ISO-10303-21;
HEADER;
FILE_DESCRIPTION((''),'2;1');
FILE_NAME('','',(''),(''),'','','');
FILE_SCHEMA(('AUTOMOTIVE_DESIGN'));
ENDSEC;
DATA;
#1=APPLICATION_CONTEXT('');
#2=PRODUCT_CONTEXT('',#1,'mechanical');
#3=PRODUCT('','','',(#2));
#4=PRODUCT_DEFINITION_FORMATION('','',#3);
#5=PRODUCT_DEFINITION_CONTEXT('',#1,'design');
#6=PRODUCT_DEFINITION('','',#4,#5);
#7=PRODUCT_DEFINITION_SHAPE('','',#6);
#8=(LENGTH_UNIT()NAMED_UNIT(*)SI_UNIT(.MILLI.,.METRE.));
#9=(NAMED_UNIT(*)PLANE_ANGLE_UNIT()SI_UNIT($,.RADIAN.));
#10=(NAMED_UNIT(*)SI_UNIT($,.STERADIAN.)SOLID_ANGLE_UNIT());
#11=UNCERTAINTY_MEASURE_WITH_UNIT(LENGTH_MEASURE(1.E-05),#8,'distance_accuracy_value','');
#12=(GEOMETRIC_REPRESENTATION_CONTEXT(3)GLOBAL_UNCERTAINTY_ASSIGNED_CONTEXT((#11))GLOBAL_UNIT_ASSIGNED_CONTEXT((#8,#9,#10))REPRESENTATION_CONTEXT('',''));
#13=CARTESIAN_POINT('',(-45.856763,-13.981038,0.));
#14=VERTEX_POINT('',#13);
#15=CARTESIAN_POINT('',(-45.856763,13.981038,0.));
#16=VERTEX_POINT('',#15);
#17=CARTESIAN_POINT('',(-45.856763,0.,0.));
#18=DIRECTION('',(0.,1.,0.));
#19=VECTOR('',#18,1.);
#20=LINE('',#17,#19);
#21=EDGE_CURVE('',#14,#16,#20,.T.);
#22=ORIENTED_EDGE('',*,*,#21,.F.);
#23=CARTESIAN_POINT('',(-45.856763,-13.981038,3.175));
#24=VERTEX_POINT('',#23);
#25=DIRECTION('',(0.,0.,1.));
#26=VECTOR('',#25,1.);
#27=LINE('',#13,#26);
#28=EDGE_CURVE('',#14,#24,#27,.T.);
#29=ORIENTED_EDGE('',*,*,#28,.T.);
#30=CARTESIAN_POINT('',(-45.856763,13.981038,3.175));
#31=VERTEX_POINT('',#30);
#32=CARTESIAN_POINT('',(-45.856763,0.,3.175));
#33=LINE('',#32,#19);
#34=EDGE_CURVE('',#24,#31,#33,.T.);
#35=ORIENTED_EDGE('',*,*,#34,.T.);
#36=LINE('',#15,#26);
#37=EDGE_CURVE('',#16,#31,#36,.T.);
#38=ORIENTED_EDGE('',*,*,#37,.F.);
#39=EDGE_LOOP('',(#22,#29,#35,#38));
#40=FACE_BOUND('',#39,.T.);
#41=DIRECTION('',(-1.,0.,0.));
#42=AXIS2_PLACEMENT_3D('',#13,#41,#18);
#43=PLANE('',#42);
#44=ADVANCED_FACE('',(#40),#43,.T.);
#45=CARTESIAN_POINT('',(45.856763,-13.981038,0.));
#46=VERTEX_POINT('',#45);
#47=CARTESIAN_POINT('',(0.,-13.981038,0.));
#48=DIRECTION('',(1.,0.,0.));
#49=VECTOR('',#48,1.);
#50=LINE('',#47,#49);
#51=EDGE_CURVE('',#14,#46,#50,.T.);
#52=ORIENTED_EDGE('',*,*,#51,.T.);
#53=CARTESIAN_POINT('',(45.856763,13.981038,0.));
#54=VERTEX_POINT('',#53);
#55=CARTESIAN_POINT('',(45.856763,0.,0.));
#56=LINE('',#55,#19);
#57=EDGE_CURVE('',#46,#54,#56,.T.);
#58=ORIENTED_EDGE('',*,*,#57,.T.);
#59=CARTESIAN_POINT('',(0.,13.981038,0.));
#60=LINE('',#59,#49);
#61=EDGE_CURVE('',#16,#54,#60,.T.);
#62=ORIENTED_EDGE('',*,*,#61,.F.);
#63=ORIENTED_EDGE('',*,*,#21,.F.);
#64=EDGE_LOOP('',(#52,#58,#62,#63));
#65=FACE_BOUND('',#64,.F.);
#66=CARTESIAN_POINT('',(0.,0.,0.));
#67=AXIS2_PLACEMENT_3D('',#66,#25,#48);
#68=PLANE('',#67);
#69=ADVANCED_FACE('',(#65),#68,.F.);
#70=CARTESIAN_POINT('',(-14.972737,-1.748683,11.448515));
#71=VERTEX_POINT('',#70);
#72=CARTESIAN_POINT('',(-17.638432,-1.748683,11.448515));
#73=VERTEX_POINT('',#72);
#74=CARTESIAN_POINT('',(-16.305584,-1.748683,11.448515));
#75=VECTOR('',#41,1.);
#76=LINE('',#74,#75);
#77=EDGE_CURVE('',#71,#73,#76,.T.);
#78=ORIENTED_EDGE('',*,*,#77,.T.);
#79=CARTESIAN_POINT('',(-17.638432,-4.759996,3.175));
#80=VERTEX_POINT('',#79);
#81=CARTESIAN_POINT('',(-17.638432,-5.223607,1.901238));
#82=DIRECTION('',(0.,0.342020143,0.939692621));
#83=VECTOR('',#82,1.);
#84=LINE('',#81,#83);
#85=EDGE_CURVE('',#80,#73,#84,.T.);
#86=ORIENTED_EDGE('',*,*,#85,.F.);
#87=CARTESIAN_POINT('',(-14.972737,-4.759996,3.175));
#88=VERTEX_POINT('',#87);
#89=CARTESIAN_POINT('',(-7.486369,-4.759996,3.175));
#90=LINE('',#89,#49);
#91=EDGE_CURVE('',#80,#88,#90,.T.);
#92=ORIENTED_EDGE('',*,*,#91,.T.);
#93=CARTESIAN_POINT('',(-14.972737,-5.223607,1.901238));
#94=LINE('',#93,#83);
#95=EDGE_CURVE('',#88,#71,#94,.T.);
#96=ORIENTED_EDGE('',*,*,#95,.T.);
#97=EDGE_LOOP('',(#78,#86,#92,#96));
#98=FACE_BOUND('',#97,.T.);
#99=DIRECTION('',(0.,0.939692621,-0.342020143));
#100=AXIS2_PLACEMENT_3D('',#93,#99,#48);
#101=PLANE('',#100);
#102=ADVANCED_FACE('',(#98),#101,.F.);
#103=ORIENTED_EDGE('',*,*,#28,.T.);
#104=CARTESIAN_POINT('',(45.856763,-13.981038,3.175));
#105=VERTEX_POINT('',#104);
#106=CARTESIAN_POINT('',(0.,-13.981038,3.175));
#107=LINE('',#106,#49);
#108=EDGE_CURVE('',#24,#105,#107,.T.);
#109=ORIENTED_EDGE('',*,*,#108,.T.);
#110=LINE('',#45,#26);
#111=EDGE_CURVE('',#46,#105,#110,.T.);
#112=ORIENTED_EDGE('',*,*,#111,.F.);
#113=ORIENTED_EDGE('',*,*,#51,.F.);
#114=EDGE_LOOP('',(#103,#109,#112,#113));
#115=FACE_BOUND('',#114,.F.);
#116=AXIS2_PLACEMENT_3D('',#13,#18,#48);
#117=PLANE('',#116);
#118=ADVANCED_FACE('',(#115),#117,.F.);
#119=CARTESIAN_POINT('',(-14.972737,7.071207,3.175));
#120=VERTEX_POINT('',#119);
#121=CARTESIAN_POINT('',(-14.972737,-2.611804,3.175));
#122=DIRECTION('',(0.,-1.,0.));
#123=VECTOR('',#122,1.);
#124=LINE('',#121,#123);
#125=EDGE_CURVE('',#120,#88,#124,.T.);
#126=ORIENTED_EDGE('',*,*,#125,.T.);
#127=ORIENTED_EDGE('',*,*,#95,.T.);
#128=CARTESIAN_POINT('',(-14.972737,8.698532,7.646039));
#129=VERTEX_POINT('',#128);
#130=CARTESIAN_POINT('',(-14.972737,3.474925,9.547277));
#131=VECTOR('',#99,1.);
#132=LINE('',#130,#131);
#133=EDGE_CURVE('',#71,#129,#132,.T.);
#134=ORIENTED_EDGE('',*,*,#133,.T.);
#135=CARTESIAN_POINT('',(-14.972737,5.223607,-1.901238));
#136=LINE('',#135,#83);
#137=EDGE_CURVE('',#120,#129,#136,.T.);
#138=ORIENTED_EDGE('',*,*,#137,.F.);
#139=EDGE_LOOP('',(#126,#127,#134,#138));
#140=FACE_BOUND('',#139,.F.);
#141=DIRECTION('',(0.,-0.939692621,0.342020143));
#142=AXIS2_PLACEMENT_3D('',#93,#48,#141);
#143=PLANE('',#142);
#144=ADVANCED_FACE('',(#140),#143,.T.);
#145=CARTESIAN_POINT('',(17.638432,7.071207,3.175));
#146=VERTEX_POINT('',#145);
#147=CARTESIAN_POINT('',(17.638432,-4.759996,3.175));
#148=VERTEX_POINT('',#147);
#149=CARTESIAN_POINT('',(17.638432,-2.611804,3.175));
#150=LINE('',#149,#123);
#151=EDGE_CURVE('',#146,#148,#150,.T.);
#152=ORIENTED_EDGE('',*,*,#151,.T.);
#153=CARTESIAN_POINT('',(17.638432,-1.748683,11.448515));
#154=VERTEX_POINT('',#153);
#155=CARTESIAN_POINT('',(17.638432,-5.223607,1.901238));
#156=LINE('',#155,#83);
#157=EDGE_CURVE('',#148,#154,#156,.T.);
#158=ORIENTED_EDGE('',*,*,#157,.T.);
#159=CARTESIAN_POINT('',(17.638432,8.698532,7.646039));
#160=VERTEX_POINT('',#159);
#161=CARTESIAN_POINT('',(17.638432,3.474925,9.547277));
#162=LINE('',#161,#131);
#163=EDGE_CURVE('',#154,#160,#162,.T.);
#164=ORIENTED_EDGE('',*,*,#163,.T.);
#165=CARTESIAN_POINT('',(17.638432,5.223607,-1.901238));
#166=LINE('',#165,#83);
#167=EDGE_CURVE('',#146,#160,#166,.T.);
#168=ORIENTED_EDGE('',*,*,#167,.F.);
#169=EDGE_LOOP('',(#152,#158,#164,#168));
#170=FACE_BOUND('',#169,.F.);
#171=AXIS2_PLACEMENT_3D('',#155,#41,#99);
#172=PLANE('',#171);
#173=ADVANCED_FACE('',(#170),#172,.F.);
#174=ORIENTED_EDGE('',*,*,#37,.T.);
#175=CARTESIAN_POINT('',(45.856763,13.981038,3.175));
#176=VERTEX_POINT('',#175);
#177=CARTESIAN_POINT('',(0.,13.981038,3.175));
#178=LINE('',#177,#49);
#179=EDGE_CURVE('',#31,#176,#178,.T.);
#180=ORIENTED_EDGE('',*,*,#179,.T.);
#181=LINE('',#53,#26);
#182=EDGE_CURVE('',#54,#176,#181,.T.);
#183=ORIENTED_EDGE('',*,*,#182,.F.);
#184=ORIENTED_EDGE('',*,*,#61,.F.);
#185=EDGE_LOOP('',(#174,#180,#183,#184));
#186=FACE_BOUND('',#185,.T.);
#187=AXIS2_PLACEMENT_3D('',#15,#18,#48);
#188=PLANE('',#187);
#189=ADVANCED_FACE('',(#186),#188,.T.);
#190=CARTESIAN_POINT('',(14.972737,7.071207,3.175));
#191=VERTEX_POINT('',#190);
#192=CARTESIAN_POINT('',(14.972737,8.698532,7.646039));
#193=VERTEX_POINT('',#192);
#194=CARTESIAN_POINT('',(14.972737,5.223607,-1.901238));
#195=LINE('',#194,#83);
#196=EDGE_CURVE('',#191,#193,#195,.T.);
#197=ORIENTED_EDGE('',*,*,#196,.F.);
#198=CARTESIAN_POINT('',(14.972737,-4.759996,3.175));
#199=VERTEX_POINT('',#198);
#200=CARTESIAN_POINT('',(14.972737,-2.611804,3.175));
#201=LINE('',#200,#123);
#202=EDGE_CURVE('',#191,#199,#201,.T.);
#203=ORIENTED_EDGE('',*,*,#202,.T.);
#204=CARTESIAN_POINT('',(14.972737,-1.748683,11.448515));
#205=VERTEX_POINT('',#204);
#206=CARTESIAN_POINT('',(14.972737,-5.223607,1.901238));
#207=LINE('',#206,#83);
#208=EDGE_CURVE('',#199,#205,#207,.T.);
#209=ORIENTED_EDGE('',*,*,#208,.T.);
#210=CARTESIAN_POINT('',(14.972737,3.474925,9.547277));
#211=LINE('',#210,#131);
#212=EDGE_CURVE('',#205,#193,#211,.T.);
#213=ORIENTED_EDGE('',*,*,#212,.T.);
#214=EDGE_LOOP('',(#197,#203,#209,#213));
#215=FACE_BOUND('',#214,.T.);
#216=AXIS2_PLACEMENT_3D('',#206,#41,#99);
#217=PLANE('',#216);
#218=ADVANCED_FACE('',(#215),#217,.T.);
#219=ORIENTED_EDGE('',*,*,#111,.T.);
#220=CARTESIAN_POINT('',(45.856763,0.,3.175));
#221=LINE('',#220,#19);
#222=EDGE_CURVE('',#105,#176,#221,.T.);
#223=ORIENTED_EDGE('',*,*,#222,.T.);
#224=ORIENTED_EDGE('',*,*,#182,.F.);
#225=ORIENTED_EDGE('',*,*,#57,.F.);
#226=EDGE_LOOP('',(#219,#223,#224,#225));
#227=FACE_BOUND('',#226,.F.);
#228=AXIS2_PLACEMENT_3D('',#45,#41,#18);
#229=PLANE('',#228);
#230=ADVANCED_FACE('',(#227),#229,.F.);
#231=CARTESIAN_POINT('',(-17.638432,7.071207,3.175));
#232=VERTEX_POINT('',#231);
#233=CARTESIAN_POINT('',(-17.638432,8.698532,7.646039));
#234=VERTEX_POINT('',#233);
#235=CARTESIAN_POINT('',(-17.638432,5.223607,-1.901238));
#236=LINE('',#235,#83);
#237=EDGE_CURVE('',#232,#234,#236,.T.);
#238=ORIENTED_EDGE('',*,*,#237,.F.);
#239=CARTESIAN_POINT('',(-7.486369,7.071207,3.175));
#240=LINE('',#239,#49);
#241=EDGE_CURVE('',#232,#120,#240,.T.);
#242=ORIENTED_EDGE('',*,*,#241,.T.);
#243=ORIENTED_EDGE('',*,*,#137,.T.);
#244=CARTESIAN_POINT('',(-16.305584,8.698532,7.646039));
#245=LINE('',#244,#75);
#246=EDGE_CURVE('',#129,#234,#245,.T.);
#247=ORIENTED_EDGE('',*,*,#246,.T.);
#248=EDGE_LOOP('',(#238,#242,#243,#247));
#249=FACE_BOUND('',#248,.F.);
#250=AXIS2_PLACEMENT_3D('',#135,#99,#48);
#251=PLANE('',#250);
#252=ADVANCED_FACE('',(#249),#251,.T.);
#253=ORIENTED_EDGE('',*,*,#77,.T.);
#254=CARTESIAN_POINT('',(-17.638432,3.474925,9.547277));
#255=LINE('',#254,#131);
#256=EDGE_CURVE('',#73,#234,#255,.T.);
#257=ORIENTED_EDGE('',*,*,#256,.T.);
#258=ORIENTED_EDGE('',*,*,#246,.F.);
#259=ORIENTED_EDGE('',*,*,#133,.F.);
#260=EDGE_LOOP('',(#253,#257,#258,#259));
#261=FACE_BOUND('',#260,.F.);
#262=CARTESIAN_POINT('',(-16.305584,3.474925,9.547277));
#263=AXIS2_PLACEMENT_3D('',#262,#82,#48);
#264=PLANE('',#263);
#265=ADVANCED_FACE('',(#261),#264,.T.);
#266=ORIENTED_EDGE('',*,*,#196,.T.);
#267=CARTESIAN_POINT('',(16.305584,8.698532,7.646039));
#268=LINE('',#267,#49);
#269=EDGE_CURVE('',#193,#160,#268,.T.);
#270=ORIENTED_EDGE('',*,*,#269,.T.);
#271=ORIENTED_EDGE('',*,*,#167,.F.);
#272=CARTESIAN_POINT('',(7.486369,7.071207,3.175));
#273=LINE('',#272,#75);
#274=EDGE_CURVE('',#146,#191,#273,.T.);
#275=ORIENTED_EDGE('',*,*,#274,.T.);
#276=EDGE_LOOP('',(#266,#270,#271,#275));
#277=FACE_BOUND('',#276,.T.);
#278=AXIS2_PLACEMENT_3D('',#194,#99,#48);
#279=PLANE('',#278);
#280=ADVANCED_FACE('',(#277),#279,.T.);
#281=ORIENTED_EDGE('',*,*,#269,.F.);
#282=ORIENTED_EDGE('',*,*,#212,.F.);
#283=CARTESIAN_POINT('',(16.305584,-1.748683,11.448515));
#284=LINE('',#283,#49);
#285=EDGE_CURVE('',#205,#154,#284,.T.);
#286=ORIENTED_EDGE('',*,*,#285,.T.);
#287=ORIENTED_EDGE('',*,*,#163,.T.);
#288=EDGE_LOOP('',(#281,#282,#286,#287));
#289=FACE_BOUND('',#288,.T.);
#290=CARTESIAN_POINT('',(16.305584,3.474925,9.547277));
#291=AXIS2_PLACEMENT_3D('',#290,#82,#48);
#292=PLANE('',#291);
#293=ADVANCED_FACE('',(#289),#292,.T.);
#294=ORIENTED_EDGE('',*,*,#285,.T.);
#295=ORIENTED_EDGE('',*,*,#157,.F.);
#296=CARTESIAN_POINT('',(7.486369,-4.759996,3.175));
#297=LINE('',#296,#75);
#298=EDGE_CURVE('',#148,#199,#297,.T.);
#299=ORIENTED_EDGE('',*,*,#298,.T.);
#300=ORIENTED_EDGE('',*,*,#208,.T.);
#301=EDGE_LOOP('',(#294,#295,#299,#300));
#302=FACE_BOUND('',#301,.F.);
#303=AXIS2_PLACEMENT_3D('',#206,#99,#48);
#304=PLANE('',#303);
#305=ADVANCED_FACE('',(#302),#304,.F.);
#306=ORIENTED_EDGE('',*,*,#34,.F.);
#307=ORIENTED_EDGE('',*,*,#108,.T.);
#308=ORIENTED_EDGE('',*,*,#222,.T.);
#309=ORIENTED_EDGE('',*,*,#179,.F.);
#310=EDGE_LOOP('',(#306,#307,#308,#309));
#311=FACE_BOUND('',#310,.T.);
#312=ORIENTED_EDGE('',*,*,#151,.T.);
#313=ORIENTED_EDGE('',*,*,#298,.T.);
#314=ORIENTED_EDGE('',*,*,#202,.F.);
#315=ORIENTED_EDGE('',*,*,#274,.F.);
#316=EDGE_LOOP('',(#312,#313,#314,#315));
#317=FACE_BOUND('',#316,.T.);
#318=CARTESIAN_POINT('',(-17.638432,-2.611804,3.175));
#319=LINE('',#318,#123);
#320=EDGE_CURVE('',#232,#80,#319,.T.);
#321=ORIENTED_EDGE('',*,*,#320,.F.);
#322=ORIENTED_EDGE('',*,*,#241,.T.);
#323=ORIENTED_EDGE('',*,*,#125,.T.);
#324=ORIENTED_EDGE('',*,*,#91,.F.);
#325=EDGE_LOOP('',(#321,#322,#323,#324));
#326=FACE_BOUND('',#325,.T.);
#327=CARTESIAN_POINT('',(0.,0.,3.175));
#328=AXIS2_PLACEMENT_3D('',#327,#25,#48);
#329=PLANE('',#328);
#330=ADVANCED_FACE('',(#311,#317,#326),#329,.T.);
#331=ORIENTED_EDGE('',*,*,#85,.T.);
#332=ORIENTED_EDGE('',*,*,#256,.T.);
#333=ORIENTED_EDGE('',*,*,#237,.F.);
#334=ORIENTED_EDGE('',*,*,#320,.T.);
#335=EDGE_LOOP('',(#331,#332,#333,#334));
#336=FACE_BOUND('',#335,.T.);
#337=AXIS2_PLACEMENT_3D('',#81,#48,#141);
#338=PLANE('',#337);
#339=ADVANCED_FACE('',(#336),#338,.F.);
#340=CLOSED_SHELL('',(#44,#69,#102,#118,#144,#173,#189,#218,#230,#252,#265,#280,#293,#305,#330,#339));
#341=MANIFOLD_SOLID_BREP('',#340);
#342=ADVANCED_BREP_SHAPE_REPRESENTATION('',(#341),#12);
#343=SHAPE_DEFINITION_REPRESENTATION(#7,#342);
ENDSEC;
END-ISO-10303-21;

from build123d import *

# Parameters (mm, degrees)
F0_W     = 91.7135253549
F0_H     = 27.9620755464
F1_DEPTH = 3.175
F4_W     = 2.665694803
F4_H     = 11.1176939681
F5_DEPTH = 10.16
F7_W     = 36.2722687423
F7_H     = 13.592146337
F8_DEPTH = 68.072


with BuildPart() as f1:
    # F0 (on Top) → F1 (new body)
    with BuildSketch(Plane.XY):
        Rectangle(F0_W, F0_H)
    extrude(amount=F1_DEPTH)

    # F4 (on line) → F5 (join)
    with BuildSketch(Plane(origin=(0, 0, 0), x_dir=(1, 0, 0), z_dir=(0, 0.3420201433, 0.9396926208))):
        with Locations((16.3055844605, 0)):
            Rectangle(F4_W, F4_H)
    extrude(amount=F5_DEPTH)

    # F6: F1 across plane


with BuildPart() as f1_1:
    add(f1.part)
    add(f1.part.mirror(Plane.YZ))

    # F7 (on Right) → F8 (cut, symmetric)
    with BuildSketch(Plane.YZ):
        with Locations((0.2234503627, -6.7960731685)):
            Rectangle(F7_W, F7_H)
    extrude(amount=F8_DEPTH, both=True, mode=Mode.SUBTRACT)


solid = f1_1.part
